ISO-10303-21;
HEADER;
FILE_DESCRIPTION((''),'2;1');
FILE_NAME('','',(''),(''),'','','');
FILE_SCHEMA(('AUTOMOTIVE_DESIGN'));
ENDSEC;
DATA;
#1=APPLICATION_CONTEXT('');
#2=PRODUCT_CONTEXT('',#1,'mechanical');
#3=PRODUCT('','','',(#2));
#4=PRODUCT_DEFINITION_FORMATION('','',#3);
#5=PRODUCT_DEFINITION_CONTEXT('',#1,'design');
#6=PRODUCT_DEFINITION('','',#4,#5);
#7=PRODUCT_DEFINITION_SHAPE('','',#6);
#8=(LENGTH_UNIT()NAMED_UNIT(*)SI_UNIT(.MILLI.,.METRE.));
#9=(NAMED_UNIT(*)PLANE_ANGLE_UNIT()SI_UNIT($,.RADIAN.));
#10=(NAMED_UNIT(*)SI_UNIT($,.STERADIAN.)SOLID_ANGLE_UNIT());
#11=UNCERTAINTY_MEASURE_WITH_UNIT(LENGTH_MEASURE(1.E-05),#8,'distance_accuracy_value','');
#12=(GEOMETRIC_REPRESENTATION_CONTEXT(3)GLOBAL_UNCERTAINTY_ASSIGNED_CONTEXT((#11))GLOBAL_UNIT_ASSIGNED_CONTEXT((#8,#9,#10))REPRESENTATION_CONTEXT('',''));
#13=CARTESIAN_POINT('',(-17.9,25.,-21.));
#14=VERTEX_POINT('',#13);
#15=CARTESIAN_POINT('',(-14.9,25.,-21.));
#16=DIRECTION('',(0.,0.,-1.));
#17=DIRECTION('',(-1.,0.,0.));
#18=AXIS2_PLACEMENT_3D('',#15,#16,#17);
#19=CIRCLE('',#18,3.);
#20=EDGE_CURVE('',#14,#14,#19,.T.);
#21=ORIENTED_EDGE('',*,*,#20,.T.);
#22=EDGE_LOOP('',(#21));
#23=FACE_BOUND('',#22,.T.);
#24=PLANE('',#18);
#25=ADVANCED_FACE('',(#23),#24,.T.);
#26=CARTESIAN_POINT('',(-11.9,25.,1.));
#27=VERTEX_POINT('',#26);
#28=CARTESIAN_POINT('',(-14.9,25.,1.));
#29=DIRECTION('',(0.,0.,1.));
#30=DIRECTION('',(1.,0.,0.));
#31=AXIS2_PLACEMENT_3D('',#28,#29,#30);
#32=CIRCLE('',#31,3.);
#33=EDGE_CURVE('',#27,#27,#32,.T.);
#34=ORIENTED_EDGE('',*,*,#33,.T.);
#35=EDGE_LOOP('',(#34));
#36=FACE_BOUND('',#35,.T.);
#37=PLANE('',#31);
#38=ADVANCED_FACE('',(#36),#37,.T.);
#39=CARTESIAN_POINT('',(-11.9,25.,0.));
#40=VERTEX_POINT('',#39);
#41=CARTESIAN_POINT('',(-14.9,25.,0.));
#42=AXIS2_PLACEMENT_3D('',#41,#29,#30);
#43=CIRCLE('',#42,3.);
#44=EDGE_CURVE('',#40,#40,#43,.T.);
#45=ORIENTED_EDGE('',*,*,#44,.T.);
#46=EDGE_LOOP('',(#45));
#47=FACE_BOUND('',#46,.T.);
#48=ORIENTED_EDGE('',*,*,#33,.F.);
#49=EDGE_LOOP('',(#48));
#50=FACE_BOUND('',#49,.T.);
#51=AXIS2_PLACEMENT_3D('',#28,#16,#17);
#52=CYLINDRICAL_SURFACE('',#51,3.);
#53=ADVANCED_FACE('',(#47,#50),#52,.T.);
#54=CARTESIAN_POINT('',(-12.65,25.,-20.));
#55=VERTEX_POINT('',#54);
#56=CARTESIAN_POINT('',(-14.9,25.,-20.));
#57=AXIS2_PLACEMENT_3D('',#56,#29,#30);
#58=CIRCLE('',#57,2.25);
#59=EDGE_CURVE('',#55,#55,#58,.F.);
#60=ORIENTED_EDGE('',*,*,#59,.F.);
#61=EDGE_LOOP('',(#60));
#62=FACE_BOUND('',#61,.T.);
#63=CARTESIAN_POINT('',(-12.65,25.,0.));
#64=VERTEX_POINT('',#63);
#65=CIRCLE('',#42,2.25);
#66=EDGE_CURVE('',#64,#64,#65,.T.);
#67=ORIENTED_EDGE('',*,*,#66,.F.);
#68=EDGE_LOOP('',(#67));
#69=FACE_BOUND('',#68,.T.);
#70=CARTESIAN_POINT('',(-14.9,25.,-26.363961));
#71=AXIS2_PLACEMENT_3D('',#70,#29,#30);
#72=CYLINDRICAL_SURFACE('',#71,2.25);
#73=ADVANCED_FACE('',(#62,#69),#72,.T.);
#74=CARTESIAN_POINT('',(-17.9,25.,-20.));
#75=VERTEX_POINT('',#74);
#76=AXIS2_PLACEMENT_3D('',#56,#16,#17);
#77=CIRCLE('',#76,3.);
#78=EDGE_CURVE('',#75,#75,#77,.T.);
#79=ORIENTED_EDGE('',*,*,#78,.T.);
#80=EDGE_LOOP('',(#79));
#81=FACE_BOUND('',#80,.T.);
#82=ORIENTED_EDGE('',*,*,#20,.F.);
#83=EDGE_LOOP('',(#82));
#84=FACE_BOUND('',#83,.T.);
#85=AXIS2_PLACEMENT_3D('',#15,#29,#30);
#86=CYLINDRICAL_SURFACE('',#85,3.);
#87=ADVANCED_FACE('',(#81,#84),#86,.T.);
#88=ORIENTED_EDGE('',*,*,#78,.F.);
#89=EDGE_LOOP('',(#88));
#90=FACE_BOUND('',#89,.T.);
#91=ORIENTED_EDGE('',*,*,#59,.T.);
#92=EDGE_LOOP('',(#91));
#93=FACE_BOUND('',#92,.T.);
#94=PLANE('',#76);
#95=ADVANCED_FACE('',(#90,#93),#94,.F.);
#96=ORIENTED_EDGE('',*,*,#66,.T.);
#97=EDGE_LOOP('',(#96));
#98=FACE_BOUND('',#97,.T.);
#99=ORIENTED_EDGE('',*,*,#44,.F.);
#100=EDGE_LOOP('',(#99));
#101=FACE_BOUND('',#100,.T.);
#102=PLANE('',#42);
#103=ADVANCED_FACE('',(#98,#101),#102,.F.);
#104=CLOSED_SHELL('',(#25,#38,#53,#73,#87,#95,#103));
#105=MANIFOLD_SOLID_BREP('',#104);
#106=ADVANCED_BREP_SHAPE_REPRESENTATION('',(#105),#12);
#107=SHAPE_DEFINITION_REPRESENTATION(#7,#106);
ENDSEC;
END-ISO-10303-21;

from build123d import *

# Parameters (mm, degrees)
SKIZZE1_R                       = 2.25
AUFSATZ_LINEAR_AUSTRAGEN1_DEPTH = 20
SKIZZE2_R                       = 3
AUFSATZ_LINEAR_AUSTRAGEN2_DEPTH = 1
AUFSATZ_LINEAR_START            = 1
SKIZZE3_R                       = 3
AUFSATZ_LINEAR_AUSTRAGEN3_DEPTH = 1


with BuildPart() as part:
    # Skizze1 → Aufsatz-Linear austragen1 (new body)
    with BuildSketch(Plane.XY):
        with Locations((-14.9, 25)):
            Circle(SKIZZE1_R)
    extrude(amount=-AUFSATZ_LINEAR_AUSTRAGEN1_DEPTH)

    # Skizze2 → Aufsatz-Linear austragen2 (add)
    with BuildSketch(Plane.XY):
        with Locations((-14.9, 25)):
            Circle(SKIZZE2_R)
    extrude(amount=AUFSATZ_LINEAR_AUSTRAGEN2_DEPTH)

    # Skizze3 → Aufsatz-Linear austragen3 (add)
    with BuildSketch(Plane(origin=(0, 0, -20), x_dir=(-1, 0, 0), z_dir=(0, 0, -1)).offset(AUFSATZ_LINEAR_START)):
        with Locations(Location((14.9, 25, 0), (0, 0, 180))):
            Circle(SKIZZE3_R)
    extrude(amount=-AUFSATZ_LINEAR_AUSTRAGEN3_DEPTH)


solid = part.part
